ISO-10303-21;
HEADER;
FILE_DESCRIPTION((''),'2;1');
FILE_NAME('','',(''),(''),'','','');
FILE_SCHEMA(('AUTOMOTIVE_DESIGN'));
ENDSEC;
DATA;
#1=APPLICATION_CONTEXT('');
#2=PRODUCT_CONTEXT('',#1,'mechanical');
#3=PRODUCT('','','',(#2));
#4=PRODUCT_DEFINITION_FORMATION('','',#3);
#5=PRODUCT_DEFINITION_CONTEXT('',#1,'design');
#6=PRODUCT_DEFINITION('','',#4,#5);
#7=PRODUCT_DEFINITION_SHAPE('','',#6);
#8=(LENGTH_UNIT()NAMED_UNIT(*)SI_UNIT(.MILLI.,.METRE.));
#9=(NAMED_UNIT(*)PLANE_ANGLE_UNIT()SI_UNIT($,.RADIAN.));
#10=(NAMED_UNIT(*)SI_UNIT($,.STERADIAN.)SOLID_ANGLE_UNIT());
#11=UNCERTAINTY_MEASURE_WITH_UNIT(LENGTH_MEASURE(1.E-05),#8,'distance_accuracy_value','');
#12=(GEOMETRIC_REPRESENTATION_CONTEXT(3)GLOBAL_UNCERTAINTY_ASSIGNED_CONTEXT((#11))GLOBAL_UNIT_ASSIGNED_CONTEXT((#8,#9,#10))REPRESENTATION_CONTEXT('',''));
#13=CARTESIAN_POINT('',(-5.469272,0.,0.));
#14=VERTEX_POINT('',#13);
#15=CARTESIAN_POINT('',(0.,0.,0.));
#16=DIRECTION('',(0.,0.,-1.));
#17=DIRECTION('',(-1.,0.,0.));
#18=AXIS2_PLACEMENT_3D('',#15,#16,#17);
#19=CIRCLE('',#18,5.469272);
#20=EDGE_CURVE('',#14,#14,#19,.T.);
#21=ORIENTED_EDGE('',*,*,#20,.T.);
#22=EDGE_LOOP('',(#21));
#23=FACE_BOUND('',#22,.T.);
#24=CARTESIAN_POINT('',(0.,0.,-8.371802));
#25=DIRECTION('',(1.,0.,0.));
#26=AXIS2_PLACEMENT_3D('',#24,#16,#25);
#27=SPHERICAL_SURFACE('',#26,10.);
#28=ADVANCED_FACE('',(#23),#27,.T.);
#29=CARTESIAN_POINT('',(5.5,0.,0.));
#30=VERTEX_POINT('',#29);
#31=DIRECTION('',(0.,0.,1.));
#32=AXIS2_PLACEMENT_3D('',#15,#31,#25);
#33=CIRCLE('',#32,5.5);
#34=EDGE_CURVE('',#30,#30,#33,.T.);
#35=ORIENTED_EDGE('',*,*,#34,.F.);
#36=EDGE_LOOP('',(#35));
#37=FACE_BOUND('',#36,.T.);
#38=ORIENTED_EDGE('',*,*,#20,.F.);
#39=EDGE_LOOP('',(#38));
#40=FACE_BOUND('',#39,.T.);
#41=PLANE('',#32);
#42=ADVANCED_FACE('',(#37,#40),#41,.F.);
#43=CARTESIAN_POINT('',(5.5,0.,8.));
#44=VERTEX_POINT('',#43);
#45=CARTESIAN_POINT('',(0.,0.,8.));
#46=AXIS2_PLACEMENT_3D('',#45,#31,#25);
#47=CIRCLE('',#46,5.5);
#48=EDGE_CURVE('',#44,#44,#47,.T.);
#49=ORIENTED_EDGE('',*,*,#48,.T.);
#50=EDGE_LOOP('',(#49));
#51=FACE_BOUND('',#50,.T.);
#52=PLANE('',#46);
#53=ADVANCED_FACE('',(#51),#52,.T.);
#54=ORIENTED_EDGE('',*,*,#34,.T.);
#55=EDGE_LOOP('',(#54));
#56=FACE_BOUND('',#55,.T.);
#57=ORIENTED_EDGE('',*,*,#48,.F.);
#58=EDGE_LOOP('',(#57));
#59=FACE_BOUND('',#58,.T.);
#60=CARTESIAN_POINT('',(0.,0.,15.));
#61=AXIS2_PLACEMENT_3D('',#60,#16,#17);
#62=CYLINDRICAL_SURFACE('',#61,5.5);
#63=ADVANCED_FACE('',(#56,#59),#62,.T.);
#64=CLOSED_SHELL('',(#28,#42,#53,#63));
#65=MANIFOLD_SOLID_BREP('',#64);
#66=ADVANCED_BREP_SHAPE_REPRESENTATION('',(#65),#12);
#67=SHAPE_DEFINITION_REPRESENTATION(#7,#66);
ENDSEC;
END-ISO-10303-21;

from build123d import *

# Parameters (mm, degrees)
SKETCH_1_R          = 5.5
EXTRUDE_1_DEPTH     = 15
SKETCH_3_R          = 7.159544481
CUT_EXTRUDE_1_DEPTH = 7


with BuildPart() as part:
    # 스케치1 → 보스-돌출1 (new body)
    with BuildSketch(Plane.XY):
        Circle(SKETCH_1_R)
    extrude(amount=EXTRUDE_1_DEPTH)

    # 스케치2 → 회전1 (revolve)
    with BuildSketch(Plane(origin=(0, 0, 0), x_dir=(1, 0, 0), z_dir=(0, 1, 0)), mode=Mode.PRIVATE) as revolve_1_sk:
        with BuildLine():
            Line((0, 18.371801754), (0, 0))
            Line((0, 0), (-5.469271925, 0))
            ThreePointArc((-5.469271925, 0), (-9.584310553, 11.225043985), (0, 18.371801754))
        make_face()
    revolve(revolve_1_sk.sketch.rotate(Axis((0, 0, -18.371801754), (0, 0, 1)), 180), axis=Axis((0, 0, -18.371801754), (0, 0, 1)))

    # 스케치3 → 컷-돌출1 (cut)
    with BuildSketch(Plane.XY.offset(15)):
        Circle(SKETCH_3_R)
    extrude(amount=-CUT_EXTRUDE_1_DEPTH, mode=Mode.SUBTRACT)


solid = part.part
